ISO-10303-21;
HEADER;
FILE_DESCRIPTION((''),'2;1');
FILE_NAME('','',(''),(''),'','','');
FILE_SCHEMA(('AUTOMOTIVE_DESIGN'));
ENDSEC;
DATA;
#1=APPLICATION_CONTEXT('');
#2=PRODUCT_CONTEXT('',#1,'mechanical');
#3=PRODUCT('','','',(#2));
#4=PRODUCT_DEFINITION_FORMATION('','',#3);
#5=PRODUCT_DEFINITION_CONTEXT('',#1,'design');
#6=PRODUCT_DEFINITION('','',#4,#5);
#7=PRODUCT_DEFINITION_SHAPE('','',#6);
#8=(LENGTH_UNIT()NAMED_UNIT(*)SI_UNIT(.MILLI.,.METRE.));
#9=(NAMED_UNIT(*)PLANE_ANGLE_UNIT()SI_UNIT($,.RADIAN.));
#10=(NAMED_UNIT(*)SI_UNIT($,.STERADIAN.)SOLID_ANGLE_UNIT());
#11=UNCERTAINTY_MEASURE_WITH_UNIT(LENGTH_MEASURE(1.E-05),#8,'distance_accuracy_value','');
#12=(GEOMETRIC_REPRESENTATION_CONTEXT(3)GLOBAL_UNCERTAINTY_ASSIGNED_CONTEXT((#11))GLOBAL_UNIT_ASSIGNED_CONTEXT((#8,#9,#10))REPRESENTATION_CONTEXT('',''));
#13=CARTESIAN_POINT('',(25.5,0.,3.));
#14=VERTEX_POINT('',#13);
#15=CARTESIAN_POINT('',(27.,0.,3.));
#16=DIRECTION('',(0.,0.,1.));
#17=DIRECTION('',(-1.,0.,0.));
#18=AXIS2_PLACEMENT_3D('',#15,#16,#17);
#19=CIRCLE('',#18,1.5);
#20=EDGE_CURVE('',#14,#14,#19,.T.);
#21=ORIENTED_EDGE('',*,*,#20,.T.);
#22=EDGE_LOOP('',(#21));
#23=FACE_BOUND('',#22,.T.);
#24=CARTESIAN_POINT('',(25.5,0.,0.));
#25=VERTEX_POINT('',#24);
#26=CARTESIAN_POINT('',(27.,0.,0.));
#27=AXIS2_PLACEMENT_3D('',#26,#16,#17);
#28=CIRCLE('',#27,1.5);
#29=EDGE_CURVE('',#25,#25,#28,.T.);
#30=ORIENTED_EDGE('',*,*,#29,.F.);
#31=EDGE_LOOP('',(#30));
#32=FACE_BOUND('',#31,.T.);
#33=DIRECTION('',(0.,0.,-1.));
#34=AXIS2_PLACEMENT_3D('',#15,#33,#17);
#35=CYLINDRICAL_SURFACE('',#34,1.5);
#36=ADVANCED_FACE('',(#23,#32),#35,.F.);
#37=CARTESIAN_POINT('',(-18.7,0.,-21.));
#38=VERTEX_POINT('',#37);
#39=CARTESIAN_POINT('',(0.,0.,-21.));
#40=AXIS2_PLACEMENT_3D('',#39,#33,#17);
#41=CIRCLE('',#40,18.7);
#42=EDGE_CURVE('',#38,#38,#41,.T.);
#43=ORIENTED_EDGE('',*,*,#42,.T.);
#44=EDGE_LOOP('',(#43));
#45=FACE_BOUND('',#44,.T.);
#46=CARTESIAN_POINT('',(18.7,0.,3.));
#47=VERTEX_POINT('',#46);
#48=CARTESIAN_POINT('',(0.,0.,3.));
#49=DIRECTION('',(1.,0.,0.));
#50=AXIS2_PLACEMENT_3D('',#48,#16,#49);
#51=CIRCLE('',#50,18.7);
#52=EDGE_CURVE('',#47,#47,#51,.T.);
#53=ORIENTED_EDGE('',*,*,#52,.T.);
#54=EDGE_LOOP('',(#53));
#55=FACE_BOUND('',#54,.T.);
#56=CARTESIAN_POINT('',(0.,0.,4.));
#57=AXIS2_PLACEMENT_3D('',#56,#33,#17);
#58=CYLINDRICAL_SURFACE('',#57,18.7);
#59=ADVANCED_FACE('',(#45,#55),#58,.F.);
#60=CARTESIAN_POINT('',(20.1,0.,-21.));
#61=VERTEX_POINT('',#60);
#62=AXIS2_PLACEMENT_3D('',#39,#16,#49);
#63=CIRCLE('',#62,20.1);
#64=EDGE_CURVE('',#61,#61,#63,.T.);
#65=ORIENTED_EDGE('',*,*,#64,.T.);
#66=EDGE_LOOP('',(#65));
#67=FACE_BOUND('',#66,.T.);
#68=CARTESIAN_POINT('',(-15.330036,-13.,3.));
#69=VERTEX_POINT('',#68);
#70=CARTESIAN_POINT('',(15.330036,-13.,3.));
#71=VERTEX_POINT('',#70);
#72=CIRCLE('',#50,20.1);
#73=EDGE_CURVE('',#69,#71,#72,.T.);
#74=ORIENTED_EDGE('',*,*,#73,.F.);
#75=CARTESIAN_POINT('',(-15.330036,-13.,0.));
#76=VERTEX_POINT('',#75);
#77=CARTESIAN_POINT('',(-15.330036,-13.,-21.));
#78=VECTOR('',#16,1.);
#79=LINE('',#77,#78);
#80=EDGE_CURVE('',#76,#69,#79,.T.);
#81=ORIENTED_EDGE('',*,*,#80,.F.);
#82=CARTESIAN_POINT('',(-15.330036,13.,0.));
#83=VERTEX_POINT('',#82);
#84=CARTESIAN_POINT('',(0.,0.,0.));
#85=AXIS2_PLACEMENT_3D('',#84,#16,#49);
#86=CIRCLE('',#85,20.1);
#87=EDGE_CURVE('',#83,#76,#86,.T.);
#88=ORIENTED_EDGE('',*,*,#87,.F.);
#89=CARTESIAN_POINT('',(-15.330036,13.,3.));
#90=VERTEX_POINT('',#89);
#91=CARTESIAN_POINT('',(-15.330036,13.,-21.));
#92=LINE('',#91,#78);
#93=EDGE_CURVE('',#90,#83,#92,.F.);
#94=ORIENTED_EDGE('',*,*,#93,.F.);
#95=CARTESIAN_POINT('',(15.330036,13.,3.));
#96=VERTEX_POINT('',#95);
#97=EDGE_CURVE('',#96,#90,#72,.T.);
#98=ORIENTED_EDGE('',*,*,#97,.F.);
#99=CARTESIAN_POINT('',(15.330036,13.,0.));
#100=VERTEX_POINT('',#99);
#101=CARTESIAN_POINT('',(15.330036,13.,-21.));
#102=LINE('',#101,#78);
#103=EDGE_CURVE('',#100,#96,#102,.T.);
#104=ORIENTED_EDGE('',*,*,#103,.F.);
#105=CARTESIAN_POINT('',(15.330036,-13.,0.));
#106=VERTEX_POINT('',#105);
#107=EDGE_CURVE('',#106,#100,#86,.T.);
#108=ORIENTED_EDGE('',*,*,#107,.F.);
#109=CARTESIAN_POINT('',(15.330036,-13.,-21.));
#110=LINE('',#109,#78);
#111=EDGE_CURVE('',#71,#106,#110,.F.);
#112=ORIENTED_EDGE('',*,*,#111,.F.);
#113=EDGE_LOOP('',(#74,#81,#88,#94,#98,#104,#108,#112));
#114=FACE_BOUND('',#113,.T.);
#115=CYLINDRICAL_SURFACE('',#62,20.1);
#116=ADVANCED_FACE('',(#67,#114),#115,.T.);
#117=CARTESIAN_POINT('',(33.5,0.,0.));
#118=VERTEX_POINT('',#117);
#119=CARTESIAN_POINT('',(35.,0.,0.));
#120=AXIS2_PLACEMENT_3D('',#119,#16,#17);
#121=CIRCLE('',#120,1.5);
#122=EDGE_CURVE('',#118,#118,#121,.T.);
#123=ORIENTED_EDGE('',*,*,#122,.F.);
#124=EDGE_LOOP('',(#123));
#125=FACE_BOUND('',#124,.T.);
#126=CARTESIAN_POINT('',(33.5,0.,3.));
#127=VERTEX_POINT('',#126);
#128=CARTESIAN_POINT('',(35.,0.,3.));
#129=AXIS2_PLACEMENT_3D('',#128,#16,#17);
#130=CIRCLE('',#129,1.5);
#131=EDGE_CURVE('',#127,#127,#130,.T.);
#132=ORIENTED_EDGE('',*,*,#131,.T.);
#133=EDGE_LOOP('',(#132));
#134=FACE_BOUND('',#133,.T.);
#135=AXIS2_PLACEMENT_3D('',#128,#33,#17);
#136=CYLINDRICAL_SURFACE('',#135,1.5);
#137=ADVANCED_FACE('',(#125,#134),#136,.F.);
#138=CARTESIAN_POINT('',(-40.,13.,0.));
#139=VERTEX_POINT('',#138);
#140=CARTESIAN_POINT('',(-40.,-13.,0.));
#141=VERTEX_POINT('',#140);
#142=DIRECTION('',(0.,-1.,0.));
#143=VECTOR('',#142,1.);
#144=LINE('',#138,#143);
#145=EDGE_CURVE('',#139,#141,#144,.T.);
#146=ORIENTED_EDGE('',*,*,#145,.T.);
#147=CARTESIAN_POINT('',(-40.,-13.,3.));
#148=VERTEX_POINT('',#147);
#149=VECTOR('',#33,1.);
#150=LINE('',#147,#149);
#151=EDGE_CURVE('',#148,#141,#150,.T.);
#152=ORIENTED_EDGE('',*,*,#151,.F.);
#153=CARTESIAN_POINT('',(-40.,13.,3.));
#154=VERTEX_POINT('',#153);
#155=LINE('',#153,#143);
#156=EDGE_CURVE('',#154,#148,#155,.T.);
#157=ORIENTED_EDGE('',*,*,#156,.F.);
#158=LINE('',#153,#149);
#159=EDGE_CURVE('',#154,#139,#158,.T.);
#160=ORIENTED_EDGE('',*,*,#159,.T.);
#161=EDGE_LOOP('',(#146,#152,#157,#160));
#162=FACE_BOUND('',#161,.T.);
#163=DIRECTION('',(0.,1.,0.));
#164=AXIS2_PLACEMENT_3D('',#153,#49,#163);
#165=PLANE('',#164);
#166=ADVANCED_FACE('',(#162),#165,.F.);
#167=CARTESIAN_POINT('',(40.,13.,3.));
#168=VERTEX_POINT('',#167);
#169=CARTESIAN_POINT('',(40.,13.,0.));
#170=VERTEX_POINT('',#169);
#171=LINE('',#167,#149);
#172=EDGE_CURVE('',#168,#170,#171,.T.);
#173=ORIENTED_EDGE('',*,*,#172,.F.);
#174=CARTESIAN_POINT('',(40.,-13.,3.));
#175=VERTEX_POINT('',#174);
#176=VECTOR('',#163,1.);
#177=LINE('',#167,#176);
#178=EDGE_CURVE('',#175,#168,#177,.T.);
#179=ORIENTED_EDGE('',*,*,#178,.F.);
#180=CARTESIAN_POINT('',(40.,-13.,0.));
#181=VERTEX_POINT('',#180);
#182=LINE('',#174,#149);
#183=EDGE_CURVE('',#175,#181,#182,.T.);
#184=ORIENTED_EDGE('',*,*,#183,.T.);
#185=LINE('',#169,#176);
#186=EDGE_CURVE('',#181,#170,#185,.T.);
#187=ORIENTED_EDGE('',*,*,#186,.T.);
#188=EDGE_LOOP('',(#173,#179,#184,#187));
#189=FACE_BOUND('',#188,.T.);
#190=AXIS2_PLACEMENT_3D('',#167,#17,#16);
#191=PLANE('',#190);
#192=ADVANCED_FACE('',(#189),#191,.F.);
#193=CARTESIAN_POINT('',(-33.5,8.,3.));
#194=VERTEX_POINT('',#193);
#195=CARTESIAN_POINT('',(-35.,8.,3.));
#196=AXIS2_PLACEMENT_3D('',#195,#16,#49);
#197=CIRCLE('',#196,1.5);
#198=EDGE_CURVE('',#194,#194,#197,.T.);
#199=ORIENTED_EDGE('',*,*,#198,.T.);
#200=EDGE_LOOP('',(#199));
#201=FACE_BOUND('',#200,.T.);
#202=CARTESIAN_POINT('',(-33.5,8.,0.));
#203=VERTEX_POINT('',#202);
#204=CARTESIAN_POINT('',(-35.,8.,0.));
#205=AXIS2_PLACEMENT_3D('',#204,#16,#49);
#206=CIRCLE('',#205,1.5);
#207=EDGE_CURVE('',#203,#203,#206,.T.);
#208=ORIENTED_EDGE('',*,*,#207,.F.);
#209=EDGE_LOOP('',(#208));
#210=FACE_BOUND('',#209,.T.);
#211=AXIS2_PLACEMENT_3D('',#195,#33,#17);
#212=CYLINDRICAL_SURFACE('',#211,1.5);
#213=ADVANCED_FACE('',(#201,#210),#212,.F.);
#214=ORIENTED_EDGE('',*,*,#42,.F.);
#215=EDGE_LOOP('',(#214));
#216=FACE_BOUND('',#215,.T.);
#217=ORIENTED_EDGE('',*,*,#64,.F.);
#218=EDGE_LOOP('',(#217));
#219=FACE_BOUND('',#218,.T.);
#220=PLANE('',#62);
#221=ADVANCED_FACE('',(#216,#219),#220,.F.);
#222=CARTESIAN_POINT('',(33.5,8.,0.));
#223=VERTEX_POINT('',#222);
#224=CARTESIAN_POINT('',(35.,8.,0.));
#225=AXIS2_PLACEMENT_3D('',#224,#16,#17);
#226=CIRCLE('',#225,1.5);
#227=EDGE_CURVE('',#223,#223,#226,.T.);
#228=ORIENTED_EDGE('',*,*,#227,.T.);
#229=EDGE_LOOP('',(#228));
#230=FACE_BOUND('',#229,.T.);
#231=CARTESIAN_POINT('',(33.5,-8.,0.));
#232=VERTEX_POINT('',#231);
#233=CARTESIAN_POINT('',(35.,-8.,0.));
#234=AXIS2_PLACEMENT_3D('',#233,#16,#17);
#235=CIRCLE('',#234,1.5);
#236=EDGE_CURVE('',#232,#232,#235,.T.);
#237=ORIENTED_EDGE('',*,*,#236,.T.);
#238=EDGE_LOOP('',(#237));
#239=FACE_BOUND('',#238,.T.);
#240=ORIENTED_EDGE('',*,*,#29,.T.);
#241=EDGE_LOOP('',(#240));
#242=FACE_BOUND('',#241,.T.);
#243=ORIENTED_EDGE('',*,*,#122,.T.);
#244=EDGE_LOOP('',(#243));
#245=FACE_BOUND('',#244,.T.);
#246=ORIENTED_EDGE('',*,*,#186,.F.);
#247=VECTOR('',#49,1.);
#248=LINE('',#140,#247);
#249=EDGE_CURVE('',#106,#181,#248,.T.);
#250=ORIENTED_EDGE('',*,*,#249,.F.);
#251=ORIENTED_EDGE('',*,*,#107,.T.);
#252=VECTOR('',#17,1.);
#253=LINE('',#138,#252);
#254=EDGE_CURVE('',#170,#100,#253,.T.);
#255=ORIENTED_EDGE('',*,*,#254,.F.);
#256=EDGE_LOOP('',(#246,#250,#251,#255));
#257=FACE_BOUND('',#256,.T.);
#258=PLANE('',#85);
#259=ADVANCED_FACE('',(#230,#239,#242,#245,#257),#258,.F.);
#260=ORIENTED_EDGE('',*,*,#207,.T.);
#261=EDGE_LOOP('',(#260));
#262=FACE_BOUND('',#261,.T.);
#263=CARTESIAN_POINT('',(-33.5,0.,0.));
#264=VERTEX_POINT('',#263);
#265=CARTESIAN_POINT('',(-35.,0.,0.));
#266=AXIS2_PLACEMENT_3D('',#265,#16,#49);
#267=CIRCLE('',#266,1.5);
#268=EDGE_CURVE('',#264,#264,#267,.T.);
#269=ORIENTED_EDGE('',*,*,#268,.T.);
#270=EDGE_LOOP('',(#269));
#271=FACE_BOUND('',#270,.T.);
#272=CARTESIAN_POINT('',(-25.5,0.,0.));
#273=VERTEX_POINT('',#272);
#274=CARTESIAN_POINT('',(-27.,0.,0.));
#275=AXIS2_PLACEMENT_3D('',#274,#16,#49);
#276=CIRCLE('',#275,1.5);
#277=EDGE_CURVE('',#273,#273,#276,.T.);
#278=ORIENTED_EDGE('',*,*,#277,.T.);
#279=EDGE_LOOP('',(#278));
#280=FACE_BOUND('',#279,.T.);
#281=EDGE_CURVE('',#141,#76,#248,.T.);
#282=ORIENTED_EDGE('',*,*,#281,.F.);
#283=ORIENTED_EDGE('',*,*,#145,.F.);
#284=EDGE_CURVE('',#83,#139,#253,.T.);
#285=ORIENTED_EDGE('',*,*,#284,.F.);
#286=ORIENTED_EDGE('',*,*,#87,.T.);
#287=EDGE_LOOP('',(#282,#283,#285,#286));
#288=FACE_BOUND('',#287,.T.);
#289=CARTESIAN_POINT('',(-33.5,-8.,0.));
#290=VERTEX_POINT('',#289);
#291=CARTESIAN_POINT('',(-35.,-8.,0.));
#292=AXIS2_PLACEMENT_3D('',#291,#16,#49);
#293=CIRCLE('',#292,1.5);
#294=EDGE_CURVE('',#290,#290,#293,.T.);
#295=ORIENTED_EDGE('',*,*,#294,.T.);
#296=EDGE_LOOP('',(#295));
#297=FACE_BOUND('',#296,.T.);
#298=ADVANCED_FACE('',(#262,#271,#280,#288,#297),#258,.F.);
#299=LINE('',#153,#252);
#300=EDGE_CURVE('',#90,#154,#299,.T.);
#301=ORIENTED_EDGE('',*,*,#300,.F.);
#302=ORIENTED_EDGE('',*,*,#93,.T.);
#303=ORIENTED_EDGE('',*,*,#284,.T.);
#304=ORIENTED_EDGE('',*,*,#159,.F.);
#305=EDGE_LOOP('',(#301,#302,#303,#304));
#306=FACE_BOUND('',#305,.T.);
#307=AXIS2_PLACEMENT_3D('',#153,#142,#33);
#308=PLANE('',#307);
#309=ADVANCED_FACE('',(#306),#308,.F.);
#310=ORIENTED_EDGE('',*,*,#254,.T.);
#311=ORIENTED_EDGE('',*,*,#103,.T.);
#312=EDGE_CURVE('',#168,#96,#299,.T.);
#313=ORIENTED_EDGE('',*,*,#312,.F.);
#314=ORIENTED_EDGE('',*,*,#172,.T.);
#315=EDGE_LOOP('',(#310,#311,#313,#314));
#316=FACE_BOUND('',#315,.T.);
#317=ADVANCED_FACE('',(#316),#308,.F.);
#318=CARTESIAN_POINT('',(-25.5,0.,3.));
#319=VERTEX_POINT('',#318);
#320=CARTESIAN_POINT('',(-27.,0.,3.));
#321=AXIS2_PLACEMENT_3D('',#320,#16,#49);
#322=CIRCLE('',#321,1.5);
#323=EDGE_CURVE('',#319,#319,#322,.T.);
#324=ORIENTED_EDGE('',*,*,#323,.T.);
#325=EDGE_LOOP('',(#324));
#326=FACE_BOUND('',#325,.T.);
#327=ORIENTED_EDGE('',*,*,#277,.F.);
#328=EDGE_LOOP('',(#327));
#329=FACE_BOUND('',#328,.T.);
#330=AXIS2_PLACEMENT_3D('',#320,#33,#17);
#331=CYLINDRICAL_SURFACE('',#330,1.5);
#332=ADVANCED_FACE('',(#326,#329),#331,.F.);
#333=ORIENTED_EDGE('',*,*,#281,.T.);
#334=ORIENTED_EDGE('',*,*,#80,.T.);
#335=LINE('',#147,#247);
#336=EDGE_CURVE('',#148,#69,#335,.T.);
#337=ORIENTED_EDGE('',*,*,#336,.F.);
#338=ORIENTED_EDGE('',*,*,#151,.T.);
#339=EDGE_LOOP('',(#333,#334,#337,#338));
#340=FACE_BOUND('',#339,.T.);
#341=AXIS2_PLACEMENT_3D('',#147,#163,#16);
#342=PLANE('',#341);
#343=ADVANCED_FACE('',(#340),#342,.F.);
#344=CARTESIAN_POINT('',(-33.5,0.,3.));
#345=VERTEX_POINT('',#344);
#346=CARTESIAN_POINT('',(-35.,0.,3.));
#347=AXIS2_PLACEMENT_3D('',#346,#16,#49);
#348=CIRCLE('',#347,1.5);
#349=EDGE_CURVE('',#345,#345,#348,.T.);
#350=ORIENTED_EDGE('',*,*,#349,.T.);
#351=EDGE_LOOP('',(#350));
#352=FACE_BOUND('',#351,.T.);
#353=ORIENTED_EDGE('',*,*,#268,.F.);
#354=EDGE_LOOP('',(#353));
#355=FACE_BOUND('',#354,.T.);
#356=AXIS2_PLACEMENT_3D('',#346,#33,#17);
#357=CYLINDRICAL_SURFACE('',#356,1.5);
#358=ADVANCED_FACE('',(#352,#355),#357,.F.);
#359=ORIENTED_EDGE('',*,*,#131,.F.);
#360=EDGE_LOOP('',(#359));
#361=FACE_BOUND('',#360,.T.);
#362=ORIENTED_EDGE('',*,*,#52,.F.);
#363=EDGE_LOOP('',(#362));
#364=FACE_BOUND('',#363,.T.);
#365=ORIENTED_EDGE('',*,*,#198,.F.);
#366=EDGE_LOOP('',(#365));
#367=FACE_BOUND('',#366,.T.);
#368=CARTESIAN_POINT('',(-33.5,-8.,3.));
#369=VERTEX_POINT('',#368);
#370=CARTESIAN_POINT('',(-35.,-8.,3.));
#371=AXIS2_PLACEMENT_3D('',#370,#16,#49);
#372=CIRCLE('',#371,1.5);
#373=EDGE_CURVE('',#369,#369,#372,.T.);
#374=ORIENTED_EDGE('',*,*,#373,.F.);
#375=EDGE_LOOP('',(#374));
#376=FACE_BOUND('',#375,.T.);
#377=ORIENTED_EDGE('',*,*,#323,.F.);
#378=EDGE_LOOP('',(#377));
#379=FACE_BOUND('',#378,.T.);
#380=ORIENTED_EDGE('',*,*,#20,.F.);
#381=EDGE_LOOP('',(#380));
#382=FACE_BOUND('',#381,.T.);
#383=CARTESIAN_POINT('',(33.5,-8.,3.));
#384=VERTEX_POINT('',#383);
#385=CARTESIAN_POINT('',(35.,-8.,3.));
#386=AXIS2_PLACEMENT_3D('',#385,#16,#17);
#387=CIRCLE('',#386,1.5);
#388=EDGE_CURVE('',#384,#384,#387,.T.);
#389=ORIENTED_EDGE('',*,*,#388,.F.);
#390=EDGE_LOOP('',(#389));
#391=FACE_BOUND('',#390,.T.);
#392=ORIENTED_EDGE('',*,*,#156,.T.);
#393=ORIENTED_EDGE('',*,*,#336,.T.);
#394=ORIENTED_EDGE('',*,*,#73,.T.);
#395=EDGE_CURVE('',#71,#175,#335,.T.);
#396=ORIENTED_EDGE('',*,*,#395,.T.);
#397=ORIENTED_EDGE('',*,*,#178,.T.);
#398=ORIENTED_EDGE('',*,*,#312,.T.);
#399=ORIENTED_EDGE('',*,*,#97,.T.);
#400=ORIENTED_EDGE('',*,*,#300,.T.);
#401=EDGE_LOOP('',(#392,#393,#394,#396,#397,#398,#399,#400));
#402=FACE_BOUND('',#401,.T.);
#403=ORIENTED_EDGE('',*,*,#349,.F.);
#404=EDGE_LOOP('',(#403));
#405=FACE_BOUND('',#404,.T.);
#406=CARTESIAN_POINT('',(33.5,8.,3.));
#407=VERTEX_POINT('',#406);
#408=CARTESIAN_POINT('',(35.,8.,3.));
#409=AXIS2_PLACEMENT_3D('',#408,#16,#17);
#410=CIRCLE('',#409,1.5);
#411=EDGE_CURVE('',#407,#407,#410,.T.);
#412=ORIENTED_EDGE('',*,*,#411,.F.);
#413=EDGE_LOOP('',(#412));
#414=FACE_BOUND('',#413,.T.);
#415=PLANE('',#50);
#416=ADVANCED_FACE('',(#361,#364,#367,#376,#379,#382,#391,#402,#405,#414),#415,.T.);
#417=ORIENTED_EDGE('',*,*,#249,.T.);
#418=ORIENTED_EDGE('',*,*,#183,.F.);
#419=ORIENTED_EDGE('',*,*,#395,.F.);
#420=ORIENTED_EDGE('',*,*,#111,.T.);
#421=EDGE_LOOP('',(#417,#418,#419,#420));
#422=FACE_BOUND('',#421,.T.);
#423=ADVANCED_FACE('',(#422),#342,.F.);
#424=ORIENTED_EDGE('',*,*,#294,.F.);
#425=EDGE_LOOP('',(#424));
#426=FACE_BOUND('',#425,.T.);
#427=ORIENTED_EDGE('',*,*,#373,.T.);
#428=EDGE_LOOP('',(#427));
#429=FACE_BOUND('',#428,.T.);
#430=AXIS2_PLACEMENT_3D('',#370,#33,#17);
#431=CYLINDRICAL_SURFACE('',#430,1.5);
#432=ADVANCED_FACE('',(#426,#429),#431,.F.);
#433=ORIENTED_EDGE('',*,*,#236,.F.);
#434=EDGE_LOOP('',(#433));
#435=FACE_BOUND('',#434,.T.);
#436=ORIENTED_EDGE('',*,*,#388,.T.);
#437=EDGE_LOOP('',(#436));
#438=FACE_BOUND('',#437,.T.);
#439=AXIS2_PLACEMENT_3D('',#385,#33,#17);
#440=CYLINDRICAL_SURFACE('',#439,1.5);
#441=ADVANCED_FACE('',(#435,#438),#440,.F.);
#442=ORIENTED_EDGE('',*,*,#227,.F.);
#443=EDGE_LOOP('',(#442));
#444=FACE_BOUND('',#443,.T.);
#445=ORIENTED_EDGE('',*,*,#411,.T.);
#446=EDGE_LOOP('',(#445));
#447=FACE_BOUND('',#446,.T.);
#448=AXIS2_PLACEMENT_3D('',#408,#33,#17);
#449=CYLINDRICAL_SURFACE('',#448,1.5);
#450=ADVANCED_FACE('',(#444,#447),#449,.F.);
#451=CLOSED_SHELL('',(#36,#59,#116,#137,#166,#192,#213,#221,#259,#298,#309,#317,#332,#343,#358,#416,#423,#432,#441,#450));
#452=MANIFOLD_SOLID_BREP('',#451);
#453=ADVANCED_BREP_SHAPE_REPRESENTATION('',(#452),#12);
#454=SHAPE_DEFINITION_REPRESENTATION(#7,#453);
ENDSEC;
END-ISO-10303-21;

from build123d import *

# Parameters (mm, degrees)
SKETCH_1_W          = 80
SKETCH_1_H          = 26
SKETCH_1_R          = 1.5
EXTRUDE_1_DEPTH     = 3
SKETCH_2_R          = 20.1
EXTRUDE_2_DEPTH     = 24
SKETCH_3_R          = 18.7
CUT_EXTRUDE_1_DEPTH = 25


with BuildPart() as part:
    # 草图1 → 凸台-拉伸1 (new body)
    with BuildSketch(Plane.XY):
        Rectangle(SKETCH_1_W, SKETCH_1_H)
        with Locations((-35, 0)):
            Circle(SKETCH_1_R, mode=Mode.SUBTRACT)
        with Locations((-27, 0)):
            Circle(SKETCH_1_R, mode=Mode.SUBTRACT)
        with Locations((-35, 8)):
            Circle(SKETCH_1_R, mode=Mode.SUBTRACT)
        with Locations((-35, -8)):
            Circle(SKETCH_1_R, mode=Mode.SUBTRACT)
        with Locations(Location((35, -8, 0), (0, 0, 180))):
            Circle(SKETCH_1_R, mode=Mode.SUBTRACT)
        with Locations(Location((35, 8, 0), (0, 0, 180))):
            Circle(SKETCH_1_R, mode=Mode.SUBTRACT)
        with Locations(Location((35, 0, 0), (0, 0, 180))):
            Circle(SKETCH_1_R, mode=Mode.SUBTRACT)
        with Locations(Location((27, 0, 0), (0, 0, 180))):
            Circle(SKETCH_1_R, mode=Mode.SUBTRACT)
    extrude(amount=EXTRUDE_1_DEPTH)

    # 草图2 → 凸台-拉伸2 (add)
    with BuildSketch(Plane.XY.offset(3)):
        Circle(SKETCH_2_R)
    extrude(amount=-EXTRUDE_2_DEPTH)

    # 草图3 → 切除-拉伸1 (cut)
    with BuildSketch(Plane(origin=(0, 0, -21), x_dir=(-1, 0, 0), z_dir=(0, 0, -1))):
        Circle(SKETCH_3_R)
    extrude(amount=-CUT_EXTRUDE_1_DEPTH, mode=Mode.SUBTRACT)


solid = part.part
